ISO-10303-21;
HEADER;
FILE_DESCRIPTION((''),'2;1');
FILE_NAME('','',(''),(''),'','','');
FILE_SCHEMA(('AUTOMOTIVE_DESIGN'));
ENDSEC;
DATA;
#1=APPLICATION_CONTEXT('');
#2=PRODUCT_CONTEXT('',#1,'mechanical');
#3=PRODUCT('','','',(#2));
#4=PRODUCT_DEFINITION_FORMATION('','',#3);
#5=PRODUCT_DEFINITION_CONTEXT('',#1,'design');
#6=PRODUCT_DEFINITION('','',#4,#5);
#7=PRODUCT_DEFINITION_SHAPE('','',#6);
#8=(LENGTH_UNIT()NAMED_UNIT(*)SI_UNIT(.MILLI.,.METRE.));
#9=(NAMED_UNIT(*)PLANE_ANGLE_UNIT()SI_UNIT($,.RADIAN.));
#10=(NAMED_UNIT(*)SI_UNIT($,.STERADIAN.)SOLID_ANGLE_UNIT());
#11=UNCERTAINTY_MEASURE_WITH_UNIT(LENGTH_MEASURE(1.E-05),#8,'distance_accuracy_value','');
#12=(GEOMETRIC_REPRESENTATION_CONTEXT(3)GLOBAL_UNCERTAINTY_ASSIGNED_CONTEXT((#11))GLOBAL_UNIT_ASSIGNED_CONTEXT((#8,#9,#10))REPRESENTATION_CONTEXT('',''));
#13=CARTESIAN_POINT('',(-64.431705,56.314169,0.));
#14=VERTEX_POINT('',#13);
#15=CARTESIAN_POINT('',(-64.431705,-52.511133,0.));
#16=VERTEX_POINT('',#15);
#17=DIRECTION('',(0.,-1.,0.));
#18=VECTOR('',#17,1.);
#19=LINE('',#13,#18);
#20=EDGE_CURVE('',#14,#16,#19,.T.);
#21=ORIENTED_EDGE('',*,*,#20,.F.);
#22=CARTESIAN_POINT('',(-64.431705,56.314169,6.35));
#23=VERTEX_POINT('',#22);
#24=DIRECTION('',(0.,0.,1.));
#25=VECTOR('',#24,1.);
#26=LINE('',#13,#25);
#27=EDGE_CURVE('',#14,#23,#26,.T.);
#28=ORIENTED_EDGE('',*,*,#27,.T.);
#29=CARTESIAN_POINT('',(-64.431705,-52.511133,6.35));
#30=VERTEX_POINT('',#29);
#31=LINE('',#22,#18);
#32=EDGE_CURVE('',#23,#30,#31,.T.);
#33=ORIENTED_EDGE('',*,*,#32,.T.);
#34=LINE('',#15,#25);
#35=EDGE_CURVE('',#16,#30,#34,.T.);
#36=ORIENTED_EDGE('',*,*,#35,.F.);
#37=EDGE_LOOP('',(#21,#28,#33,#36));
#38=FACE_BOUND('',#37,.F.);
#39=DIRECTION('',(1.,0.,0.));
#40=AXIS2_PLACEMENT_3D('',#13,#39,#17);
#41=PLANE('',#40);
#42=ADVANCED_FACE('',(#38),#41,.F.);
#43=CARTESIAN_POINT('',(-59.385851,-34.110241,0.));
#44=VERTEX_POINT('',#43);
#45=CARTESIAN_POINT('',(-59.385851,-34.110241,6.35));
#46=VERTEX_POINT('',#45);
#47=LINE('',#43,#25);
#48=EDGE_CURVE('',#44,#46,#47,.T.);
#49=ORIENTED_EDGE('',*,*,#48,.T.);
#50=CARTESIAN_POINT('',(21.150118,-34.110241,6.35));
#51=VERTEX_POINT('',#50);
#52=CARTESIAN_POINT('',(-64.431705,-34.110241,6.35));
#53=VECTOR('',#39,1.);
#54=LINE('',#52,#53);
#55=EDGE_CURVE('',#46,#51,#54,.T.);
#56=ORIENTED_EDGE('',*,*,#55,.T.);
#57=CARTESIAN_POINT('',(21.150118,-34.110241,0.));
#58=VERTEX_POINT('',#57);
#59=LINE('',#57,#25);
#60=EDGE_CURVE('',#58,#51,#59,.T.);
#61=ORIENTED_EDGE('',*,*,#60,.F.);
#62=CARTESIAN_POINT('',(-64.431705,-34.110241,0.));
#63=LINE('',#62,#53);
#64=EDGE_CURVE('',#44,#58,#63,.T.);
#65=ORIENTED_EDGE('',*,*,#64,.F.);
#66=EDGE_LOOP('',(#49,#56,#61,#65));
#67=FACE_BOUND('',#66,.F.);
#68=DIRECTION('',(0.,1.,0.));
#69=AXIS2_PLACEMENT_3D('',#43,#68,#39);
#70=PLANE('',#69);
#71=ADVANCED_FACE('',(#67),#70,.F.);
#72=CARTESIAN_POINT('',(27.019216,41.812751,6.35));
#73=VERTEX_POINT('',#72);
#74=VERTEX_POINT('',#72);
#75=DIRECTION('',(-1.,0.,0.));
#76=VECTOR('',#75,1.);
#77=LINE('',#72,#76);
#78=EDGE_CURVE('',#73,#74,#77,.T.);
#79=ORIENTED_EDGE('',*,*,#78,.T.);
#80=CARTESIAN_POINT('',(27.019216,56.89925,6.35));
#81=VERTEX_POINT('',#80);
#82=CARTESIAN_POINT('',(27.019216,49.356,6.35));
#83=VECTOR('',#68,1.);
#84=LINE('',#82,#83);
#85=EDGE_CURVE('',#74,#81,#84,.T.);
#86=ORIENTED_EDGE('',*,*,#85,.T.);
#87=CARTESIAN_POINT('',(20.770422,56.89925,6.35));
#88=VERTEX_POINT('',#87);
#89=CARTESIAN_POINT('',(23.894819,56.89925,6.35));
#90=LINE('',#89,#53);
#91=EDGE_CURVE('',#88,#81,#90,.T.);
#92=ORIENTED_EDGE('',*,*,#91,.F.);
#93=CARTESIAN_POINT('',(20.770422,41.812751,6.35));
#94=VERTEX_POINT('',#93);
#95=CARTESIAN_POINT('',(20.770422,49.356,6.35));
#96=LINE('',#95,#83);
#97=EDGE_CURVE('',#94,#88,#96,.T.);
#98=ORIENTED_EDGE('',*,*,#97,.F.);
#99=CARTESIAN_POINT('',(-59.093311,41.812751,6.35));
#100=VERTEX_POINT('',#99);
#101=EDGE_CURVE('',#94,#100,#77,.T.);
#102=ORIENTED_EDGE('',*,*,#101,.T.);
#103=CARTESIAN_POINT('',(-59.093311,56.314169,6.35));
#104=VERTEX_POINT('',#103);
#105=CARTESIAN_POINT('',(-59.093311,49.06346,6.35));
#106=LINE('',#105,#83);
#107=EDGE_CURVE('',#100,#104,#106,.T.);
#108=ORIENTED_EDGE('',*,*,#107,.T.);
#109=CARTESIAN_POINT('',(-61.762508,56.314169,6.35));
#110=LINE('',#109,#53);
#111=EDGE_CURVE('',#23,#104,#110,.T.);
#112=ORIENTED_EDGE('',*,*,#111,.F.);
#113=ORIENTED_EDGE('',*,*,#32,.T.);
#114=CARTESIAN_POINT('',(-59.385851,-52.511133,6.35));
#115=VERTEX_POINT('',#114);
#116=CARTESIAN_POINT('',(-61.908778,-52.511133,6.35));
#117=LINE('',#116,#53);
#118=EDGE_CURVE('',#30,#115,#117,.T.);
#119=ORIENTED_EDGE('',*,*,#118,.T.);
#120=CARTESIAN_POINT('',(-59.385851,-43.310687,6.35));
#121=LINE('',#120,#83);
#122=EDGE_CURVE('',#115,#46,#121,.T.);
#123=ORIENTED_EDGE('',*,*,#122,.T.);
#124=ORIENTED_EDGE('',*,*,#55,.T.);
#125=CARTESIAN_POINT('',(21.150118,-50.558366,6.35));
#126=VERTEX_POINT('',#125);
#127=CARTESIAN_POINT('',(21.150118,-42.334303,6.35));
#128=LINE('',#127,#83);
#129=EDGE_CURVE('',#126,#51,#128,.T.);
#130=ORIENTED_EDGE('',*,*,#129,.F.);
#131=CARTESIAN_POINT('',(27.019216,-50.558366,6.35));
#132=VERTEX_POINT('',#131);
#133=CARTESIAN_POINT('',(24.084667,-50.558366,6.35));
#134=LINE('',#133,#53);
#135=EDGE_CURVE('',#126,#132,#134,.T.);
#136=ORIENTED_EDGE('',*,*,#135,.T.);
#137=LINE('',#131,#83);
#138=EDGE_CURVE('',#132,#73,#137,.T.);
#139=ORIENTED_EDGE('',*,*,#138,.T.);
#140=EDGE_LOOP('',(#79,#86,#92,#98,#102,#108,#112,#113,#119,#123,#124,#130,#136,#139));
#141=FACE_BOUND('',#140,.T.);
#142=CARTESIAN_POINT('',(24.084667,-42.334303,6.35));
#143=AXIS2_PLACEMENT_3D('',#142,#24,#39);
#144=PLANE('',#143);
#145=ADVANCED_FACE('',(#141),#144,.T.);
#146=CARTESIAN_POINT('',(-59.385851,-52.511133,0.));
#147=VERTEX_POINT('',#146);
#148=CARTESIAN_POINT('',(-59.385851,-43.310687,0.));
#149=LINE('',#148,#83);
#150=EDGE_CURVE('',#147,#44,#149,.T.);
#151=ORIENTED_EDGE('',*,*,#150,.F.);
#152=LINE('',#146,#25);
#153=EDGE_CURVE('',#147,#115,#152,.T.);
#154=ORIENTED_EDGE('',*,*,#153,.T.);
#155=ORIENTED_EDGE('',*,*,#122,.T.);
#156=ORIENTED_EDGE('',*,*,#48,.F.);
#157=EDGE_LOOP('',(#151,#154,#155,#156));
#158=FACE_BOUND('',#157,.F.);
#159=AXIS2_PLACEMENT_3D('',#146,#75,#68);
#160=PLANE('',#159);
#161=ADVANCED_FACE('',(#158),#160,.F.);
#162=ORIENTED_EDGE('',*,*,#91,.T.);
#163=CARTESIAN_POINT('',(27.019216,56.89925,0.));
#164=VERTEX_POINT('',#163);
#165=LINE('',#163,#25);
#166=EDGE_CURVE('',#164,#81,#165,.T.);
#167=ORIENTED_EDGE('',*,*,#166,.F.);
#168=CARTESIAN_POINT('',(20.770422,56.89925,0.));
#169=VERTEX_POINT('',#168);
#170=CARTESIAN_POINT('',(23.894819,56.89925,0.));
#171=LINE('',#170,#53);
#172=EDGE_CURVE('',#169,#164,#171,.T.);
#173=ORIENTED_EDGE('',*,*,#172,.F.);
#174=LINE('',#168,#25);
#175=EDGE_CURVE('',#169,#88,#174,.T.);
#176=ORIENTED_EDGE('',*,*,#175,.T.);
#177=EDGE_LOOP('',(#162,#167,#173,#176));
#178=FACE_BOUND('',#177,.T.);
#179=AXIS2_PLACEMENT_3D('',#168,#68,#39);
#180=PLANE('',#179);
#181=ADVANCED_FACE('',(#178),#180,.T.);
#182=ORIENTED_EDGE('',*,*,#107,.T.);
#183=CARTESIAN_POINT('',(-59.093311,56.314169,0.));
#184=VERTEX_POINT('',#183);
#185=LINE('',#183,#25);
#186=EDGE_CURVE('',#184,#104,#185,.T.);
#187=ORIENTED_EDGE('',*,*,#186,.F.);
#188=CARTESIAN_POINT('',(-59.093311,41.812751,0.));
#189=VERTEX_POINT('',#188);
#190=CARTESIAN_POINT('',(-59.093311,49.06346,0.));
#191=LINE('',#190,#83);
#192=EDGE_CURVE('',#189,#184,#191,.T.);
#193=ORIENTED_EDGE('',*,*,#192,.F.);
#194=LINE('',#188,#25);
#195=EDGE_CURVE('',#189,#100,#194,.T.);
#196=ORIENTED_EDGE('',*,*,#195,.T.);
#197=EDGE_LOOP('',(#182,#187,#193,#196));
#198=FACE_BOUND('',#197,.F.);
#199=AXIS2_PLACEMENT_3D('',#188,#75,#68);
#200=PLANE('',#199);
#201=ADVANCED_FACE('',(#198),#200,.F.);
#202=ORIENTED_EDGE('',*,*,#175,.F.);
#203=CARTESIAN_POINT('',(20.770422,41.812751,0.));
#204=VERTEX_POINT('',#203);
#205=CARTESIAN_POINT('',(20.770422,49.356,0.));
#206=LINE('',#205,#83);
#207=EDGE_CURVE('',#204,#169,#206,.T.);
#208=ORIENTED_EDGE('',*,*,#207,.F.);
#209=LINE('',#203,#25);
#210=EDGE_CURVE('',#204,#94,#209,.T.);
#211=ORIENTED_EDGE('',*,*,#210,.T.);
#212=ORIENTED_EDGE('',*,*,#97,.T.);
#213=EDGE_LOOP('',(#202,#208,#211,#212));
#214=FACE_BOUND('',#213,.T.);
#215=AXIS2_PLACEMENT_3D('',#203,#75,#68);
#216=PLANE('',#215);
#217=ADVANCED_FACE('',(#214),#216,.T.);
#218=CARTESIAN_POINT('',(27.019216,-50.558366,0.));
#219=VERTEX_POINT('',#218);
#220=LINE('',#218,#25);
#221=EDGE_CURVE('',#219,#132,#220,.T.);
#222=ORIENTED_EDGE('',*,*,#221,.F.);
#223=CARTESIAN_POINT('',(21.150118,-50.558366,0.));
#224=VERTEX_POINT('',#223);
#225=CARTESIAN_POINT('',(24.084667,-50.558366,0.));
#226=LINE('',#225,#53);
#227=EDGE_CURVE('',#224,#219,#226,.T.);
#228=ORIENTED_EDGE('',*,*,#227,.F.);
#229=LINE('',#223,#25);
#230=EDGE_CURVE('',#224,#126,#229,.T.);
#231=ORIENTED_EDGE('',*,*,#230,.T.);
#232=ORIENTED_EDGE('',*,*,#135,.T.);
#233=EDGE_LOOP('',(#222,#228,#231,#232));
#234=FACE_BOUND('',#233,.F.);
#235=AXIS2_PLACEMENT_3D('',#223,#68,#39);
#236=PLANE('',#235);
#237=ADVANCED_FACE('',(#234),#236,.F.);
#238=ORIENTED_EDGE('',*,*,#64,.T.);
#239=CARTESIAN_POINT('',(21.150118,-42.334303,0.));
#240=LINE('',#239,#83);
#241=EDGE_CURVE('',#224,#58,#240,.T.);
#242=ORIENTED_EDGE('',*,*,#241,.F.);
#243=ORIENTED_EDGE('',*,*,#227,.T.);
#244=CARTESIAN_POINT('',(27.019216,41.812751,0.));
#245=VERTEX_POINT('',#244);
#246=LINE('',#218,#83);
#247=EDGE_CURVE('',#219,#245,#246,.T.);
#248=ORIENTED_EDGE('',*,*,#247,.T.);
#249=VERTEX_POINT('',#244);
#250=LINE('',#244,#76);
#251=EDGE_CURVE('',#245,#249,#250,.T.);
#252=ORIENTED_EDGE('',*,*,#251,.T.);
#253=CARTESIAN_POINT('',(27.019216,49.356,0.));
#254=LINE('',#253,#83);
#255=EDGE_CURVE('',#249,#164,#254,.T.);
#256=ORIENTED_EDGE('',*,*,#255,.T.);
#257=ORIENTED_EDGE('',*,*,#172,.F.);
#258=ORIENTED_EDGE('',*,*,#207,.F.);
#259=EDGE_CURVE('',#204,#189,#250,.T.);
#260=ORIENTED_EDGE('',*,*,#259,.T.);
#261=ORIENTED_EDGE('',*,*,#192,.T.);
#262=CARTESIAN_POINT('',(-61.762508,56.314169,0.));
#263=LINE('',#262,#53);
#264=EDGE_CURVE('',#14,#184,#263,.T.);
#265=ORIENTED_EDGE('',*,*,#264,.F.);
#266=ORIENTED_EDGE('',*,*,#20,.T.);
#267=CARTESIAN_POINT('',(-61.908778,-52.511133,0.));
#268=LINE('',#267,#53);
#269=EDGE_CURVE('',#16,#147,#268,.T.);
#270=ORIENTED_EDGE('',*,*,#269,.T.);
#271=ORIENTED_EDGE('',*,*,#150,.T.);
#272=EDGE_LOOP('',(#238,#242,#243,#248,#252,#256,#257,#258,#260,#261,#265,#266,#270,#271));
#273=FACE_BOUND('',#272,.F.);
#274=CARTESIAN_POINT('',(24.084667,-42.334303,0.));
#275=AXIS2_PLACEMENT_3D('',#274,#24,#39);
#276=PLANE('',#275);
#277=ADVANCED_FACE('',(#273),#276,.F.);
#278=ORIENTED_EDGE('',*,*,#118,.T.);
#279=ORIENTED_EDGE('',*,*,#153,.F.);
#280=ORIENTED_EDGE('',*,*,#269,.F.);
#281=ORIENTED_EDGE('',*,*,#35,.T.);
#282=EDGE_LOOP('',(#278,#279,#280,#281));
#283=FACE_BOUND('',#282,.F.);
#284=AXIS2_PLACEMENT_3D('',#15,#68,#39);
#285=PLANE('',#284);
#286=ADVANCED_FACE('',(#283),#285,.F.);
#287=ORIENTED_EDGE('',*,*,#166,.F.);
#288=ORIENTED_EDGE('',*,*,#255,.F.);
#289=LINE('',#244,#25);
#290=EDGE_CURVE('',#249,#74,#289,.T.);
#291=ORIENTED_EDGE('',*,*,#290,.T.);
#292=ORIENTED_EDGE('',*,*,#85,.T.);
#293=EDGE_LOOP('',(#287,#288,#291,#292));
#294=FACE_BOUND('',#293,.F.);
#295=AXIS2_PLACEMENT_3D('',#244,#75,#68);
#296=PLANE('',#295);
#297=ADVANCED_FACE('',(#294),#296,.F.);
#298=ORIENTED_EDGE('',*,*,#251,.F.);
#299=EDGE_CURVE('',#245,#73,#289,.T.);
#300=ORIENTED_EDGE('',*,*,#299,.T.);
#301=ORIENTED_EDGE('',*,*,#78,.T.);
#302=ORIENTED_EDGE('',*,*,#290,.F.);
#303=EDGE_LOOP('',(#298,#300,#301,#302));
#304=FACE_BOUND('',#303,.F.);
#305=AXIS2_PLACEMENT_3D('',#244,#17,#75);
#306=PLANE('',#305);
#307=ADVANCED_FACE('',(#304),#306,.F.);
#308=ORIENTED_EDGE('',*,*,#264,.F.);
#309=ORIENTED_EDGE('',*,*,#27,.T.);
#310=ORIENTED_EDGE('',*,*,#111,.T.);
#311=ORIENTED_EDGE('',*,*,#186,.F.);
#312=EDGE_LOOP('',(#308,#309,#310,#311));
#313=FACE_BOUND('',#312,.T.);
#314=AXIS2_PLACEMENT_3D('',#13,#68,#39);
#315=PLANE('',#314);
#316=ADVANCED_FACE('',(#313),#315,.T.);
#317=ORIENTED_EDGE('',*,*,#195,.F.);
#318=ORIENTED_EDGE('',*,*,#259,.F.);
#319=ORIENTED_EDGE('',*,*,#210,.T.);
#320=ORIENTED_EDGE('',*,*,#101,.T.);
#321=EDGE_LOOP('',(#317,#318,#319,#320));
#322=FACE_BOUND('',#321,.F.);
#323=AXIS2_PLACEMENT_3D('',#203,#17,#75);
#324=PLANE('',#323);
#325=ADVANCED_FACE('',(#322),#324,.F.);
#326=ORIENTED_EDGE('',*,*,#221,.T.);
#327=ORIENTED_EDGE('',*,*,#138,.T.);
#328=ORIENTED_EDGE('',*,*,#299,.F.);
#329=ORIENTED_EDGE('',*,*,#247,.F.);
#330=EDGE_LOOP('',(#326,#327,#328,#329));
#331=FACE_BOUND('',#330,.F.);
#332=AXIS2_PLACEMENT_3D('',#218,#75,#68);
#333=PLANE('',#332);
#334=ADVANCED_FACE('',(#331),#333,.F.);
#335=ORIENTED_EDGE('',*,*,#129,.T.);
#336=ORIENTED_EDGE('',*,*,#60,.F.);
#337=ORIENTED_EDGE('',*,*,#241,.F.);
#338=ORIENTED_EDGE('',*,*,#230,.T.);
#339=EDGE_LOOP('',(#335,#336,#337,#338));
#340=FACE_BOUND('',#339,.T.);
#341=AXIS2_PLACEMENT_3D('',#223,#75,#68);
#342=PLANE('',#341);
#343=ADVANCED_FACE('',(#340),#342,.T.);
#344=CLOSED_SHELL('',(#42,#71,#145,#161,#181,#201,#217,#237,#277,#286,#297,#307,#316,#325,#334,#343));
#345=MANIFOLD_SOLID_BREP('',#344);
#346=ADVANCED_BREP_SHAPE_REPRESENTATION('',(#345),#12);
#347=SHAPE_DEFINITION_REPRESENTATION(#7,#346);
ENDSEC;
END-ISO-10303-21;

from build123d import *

# Parameters (mm, degrees)
F0_W     = 5.869098
F0_H     = 16.448125
F0_W_2   = 6.248793
F0_H_2   = 15.086499
F0_W_3   = 5.045854
F0_H_3   = 18.400892
F0_W_4   = 5.338394
F0_H_4   = 14.501419
F1_DEPTH = 6.35


with BuildPart() as f1:
    # F0 (on Top) → F1 (new body)
    with BuildSketch(Plane.XY):
        with Locations((24.084667, -42.334303)):
            Rectangle(F0_W, F0_H)
        Polygon((21.150118, -34.110241), (27.019216, -34.110241), (27.019216, 41.812751), (20.770423, 41.812751), (-59.093311, 41.812751), (-64.431705, 41.812751), (-64.431705, -34.110241), (-59.385851, -34.110241), align=None)
        with Locations((23.894819, 49.356)):
            Rectangle(F0_W_2, F0_H_2)
        with Locations((-61.908778, -43.310687)):
            Rectangle(F0_W_3, F0_H_3)
        with Locations((-61.762508, 49.06346)):
            Rectangle(F0_W_4, F0_H_4)
    extrude(amount=F1_DEPTH)


solid = f1.part
